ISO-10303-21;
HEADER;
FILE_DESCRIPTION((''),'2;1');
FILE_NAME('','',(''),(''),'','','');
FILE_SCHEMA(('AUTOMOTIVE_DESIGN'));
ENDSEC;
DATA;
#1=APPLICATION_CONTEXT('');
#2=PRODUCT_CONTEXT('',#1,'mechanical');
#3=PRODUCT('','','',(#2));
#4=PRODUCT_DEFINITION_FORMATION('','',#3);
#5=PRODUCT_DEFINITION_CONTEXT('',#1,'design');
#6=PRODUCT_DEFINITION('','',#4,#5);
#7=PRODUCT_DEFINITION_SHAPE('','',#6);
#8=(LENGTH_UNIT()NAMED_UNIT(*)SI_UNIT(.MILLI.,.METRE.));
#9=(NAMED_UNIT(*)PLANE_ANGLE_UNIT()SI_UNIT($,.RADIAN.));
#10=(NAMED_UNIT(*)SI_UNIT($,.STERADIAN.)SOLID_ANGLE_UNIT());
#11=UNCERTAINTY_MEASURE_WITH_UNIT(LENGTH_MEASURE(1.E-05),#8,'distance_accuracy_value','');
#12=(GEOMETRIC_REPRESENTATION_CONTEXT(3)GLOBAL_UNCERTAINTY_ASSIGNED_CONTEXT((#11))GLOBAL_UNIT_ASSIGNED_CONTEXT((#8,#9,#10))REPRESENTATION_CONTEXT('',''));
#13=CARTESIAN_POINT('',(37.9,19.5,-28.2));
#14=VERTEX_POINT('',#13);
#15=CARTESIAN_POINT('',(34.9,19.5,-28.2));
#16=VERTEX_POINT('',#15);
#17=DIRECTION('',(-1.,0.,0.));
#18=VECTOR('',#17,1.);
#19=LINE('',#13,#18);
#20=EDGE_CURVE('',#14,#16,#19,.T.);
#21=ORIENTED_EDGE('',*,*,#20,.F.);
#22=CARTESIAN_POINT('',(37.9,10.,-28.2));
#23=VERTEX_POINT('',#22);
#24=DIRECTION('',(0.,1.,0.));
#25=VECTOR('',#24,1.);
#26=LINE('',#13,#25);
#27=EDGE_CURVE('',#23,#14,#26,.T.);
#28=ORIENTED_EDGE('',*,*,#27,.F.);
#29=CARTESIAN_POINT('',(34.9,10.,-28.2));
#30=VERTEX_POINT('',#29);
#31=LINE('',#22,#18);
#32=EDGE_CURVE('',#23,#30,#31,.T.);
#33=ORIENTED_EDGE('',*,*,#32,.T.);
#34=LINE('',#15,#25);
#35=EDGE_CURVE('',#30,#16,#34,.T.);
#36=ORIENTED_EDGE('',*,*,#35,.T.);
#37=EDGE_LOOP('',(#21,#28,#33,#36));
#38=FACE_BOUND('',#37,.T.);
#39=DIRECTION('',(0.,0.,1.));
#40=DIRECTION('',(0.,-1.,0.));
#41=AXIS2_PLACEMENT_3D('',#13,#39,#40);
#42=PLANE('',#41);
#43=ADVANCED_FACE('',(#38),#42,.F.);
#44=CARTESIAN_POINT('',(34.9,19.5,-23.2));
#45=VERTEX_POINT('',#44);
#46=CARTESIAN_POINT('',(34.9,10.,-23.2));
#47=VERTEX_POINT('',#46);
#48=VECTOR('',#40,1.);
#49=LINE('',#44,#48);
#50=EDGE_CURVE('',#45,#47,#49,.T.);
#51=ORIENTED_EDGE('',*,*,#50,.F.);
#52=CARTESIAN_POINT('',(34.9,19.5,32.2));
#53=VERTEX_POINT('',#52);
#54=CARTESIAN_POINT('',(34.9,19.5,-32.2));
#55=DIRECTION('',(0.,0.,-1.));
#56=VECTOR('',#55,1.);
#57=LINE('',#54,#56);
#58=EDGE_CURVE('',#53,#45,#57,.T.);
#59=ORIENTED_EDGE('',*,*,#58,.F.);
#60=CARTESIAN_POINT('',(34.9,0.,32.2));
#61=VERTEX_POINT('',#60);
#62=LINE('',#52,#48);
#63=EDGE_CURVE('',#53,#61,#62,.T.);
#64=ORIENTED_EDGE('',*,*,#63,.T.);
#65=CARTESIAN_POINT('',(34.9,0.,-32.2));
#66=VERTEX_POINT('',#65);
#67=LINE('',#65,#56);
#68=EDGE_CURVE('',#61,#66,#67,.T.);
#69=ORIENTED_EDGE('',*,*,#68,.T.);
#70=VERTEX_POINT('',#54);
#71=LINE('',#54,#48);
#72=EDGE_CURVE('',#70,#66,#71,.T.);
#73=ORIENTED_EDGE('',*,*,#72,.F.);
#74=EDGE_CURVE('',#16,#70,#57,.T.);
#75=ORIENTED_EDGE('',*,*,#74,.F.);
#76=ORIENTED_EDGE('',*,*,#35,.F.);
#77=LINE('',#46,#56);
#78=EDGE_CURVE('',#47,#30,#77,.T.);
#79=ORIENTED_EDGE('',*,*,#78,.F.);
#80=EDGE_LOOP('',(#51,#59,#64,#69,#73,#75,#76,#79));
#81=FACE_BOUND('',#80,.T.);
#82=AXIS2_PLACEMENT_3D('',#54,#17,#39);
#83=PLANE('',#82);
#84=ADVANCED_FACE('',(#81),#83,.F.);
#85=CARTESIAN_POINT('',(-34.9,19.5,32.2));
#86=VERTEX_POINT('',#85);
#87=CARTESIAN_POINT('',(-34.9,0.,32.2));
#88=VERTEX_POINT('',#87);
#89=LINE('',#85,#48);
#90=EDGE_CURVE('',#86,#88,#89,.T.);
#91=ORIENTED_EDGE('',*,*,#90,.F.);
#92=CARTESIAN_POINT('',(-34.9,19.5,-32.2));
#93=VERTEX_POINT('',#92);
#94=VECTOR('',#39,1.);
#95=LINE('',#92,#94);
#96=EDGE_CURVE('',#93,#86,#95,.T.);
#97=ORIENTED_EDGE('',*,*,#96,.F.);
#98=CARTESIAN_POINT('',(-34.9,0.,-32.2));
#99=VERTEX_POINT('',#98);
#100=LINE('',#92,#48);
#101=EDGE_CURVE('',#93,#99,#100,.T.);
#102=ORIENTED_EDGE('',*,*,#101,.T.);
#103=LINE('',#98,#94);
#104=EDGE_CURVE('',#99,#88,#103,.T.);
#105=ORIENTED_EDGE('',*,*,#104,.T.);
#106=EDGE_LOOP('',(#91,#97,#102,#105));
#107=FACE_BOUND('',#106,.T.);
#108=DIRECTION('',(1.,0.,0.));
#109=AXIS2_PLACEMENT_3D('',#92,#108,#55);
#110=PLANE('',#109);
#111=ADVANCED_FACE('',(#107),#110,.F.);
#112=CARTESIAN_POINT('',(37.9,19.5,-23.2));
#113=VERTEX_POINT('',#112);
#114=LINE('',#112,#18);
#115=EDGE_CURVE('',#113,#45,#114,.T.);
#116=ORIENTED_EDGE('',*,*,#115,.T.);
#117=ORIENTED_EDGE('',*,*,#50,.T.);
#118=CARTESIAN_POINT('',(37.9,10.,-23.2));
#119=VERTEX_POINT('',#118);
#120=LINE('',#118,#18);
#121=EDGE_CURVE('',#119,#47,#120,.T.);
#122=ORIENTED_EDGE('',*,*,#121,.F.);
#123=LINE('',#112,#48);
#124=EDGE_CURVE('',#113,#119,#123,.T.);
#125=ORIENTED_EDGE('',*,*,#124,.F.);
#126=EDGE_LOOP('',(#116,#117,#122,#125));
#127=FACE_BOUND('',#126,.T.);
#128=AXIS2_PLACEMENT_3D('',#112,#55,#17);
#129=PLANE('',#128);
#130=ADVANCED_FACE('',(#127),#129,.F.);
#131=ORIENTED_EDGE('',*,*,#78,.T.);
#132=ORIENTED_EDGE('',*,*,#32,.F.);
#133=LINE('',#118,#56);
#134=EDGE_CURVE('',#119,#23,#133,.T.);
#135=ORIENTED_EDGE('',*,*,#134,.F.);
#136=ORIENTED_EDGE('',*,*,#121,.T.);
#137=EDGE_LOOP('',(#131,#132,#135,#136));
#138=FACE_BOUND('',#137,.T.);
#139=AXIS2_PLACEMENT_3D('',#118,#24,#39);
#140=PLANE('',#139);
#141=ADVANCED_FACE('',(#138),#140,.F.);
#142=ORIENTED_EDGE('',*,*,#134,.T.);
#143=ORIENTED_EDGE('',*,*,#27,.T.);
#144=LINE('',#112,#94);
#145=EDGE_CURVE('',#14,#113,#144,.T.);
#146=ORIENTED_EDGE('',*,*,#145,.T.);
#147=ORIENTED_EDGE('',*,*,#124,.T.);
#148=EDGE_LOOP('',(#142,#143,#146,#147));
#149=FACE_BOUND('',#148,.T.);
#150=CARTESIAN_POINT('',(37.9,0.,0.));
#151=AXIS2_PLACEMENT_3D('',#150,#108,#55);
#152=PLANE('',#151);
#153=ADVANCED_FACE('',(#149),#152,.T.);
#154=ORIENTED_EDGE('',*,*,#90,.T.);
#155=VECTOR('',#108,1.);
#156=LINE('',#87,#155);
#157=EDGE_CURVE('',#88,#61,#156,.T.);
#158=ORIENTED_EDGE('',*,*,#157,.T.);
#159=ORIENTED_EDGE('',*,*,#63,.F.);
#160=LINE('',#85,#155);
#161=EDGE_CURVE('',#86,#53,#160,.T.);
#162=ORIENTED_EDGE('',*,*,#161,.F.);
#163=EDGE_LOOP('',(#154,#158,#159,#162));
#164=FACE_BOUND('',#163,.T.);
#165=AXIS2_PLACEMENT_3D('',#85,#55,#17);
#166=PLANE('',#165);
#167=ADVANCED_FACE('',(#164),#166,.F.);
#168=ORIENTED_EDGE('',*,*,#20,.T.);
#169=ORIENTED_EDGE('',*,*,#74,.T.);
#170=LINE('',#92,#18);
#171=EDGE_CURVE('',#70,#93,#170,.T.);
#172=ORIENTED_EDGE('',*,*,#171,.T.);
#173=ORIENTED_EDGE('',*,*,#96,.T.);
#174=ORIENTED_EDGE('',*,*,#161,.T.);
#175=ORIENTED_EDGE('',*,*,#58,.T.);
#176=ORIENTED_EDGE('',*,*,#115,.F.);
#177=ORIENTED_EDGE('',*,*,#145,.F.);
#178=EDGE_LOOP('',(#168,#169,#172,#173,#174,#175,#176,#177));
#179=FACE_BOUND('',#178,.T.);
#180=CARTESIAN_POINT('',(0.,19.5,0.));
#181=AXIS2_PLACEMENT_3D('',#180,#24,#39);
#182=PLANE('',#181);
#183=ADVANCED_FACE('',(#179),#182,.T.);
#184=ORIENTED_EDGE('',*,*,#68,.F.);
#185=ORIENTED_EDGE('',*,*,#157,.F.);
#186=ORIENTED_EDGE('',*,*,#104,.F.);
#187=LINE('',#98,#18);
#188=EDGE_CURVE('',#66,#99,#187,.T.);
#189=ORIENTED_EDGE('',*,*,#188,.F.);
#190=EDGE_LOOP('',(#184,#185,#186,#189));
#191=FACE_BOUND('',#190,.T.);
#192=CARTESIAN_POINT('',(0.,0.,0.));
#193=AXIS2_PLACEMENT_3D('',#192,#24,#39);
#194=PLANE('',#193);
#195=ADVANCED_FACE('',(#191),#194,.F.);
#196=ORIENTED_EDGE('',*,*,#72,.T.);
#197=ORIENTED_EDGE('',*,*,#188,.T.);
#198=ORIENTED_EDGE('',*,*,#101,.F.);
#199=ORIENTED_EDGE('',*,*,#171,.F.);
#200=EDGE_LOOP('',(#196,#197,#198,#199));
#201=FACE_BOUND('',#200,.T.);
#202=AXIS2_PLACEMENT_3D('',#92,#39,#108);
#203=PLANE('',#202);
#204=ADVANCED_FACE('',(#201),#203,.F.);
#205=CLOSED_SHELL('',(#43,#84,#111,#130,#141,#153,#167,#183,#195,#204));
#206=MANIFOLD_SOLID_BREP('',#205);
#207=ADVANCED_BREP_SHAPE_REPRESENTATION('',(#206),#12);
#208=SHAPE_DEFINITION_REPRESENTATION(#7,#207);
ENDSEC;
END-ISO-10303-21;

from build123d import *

# Parameters (mm, degrees)
SKETCH1_W           = 69.8
SKETCH1_H           = 64.4
BOSS_EXTRUDE1_DEPTH = 19.5
SKETCH2_W           = 5
SKETCH2_H           = 9.5
BOSS_EXTRUDE2_DEPTH = 3


with BuildPart() as part:
    # Sketch1 → Boss-Extrude1 (new body)
    with BuildSketch(Plane(origin=(0, 0, 0), x_dir=(1, 0, 0), z_dir=(0, 1, 0))):
        Rectangle(SKETCH1_W, SKETCH1_H)
    extrude(amount=BOSS_EXTRUDE1_DEPTH)

    # Sketch2 → Boss-Extrude2 (add)
    with BuildSketch(Plane(origin=(34.9, 0, 0), x_dir=(0, 0, -1), z_dir=(1, 0, 0))):
        with Locations((25.7, 14.75)):
            Rectangle(SKETCH2_W, SKETCH2_H)
    extrude(amount=BOSS_EXTRUDE2_DEPTH)


solid = part.part
